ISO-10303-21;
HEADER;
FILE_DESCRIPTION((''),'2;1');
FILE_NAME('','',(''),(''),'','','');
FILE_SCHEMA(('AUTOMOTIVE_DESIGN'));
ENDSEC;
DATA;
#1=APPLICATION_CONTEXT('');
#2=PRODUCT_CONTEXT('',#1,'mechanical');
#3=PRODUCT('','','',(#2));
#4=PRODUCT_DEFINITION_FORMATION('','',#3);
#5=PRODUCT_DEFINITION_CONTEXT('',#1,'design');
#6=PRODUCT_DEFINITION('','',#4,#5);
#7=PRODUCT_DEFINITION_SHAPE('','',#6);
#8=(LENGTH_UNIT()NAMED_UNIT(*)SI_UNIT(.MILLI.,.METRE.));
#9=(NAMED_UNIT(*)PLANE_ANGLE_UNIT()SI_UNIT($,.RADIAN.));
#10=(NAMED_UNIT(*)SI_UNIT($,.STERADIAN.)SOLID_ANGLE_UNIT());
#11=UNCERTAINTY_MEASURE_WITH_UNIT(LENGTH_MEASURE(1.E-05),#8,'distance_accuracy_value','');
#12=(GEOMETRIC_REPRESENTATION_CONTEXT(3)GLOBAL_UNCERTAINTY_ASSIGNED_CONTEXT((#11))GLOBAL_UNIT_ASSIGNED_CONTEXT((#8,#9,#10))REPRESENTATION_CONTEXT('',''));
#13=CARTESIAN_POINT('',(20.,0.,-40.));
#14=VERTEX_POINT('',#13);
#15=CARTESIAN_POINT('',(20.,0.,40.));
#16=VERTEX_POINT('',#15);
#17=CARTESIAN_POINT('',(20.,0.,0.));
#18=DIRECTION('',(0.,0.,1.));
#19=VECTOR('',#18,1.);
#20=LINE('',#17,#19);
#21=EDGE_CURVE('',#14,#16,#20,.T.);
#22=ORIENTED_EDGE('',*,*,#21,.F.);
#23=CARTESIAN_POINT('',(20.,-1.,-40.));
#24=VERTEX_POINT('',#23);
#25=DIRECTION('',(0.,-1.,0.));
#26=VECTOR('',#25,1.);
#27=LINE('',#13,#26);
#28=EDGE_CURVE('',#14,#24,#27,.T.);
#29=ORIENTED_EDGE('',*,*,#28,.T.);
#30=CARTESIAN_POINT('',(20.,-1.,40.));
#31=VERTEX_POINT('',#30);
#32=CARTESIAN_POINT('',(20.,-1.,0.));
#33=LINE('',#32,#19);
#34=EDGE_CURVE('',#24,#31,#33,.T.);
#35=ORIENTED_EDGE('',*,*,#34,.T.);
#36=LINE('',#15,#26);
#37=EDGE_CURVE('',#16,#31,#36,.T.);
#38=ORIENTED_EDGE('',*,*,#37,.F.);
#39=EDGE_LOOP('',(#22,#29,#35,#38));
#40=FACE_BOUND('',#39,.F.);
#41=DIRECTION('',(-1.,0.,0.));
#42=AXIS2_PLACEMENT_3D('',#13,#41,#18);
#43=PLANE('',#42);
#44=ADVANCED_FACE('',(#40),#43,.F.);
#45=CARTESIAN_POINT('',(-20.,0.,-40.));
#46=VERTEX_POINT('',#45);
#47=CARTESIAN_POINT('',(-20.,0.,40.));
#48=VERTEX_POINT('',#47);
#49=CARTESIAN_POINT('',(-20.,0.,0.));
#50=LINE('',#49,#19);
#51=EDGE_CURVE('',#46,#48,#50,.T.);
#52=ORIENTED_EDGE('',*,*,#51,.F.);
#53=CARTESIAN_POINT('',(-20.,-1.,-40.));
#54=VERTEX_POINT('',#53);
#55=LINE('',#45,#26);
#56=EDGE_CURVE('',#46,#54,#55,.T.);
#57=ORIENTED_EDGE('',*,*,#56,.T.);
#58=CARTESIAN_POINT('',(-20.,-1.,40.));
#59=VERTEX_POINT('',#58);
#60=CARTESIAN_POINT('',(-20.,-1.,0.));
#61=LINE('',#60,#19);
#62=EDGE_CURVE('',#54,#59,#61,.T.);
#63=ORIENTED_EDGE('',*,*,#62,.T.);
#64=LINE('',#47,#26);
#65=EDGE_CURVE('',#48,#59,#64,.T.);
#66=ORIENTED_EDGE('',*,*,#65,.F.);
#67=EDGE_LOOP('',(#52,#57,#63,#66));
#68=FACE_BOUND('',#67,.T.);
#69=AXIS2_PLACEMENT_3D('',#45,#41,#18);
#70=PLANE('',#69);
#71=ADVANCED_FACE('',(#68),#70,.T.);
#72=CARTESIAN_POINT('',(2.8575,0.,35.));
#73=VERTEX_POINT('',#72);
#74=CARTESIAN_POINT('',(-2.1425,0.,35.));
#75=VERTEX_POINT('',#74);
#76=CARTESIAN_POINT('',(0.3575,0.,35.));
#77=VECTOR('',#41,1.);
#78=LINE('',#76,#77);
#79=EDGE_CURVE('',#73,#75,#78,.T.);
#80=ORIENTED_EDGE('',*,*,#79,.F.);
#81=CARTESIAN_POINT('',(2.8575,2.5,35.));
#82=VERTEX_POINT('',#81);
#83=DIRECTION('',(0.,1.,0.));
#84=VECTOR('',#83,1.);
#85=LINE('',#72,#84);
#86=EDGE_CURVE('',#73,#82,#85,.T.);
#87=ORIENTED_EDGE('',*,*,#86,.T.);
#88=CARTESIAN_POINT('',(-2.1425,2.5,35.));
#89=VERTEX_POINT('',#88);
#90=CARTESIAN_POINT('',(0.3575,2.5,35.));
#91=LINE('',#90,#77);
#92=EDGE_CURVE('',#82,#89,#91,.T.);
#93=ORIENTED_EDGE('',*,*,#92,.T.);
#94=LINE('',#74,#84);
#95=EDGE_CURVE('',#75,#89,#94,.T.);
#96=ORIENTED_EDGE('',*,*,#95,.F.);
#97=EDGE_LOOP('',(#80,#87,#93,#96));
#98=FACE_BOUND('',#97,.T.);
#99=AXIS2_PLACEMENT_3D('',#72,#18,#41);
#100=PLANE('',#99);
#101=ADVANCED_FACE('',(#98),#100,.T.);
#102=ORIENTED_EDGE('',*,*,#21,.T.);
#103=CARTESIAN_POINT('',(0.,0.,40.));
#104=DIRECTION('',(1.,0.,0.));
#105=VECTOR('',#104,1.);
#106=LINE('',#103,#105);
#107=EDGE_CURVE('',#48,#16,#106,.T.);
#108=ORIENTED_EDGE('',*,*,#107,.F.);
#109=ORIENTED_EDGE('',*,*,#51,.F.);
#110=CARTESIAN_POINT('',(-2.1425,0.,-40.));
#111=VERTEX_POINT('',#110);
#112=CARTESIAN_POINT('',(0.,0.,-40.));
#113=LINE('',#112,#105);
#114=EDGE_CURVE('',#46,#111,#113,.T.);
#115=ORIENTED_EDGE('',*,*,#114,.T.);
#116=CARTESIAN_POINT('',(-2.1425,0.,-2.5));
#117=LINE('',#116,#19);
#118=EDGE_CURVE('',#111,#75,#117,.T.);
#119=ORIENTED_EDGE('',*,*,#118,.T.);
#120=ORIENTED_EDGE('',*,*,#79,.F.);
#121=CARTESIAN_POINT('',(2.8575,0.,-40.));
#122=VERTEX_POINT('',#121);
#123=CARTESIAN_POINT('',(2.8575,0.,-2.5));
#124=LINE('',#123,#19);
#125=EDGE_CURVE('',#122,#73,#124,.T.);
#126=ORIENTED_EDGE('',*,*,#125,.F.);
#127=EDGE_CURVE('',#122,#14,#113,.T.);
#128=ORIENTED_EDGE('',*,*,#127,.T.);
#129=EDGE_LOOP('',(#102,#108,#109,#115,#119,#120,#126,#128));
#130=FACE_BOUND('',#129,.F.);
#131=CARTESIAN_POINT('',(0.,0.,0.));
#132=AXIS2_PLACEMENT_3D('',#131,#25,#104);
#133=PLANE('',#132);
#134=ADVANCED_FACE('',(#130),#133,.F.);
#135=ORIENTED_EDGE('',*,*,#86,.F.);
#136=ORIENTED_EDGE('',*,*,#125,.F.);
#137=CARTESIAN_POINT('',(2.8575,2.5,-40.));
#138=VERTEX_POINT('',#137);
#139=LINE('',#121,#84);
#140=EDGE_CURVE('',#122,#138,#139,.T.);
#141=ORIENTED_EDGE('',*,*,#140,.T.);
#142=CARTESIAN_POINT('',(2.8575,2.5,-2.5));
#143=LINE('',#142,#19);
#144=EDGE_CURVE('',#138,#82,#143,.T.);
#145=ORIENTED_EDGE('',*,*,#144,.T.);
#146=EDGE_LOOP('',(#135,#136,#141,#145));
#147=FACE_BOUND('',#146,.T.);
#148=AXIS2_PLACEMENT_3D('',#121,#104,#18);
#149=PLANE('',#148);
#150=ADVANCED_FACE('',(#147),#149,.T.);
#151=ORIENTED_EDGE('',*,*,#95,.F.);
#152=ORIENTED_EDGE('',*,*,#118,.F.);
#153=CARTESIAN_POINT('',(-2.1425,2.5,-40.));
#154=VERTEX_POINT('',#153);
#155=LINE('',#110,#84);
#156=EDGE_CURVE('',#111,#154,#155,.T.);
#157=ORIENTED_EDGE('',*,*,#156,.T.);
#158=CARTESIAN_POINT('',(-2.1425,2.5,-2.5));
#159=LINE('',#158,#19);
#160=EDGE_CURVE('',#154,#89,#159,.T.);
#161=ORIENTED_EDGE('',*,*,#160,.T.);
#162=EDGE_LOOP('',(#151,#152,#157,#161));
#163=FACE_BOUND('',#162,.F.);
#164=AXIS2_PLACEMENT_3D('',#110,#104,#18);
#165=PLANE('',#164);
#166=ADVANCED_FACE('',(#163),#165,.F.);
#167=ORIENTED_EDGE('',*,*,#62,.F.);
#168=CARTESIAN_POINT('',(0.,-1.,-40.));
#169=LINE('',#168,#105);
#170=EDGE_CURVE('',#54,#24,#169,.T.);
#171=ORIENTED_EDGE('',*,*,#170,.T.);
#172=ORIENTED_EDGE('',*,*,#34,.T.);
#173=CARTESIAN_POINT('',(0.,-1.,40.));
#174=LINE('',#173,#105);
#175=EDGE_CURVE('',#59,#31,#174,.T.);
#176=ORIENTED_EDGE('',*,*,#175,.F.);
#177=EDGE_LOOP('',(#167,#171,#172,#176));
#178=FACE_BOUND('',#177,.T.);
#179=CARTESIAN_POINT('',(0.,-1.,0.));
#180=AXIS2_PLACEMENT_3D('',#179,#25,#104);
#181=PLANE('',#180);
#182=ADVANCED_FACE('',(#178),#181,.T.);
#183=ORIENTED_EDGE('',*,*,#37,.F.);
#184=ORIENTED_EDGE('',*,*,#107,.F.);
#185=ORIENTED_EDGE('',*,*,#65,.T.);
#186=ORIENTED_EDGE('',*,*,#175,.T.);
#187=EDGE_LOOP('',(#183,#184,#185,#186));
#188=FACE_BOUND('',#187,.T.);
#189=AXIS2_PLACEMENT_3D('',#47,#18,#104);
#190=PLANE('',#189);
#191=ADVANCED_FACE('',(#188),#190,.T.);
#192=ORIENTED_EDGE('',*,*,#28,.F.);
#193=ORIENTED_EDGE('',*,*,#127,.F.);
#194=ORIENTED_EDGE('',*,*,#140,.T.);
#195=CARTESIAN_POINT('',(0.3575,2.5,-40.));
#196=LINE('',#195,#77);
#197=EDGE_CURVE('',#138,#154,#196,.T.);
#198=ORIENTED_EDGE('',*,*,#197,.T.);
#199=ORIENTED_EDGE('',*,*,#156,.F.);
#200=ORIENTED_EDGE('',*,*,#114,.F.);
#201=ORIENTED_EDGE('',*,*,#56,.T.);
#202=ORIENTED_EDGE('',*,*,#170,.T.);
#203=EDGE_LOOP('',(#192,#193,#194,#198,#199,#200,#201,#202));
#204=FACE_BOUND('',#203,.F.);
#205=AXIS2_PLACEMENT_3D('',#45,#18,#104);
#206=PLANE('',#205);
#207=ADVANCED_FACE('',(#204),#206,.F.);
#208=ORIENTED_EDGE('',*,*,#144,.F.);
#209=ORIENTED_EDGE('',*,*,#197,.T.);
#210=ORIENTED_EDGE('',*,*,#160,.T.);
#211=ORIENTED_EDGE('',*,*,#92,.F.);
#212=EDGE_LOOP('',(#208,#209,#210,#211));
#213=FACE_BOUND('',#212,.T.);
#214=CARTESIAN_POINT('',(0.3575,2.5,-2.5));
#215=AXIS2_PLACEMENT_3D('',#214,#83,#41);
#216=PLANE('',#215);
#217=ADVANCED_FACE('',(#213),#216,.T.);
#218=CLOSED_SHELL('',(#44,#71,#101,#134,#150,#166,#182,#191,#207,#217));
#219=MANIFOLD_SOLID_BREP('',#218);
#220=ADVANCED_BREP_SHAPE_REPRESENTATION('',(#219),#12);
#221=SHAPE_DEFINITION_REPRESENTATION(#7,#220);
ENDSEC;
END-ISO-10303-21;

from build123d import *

# Parameters (mm, degrees)
F0_W     = 40
F0_H     = 80
F1_DEPTH = 1
F2_W     = 5
F2_H     = 75
F3_DEPTH = 2.5


with BuildPart() as f1:
    # F0 (on Front) → F1 (new body)
    with BuildSketch(Plane.XZ):
        Rectangle(F0_W, F0_H)
    extrude(amount=F1_DEPTH)

    # F2 (on face) → F3 (join)
    with BuildSketch(Plane(origin=(0, 0, 0), x_dir=(-1, 0, 0), z_dir=(0, 1, 0))):
        with Locations((-0.3575, -2.5)):
            Rectangle(F2_W, F2_H)
    extrude(amount=F3_DEPTH)


solid = f1.part
